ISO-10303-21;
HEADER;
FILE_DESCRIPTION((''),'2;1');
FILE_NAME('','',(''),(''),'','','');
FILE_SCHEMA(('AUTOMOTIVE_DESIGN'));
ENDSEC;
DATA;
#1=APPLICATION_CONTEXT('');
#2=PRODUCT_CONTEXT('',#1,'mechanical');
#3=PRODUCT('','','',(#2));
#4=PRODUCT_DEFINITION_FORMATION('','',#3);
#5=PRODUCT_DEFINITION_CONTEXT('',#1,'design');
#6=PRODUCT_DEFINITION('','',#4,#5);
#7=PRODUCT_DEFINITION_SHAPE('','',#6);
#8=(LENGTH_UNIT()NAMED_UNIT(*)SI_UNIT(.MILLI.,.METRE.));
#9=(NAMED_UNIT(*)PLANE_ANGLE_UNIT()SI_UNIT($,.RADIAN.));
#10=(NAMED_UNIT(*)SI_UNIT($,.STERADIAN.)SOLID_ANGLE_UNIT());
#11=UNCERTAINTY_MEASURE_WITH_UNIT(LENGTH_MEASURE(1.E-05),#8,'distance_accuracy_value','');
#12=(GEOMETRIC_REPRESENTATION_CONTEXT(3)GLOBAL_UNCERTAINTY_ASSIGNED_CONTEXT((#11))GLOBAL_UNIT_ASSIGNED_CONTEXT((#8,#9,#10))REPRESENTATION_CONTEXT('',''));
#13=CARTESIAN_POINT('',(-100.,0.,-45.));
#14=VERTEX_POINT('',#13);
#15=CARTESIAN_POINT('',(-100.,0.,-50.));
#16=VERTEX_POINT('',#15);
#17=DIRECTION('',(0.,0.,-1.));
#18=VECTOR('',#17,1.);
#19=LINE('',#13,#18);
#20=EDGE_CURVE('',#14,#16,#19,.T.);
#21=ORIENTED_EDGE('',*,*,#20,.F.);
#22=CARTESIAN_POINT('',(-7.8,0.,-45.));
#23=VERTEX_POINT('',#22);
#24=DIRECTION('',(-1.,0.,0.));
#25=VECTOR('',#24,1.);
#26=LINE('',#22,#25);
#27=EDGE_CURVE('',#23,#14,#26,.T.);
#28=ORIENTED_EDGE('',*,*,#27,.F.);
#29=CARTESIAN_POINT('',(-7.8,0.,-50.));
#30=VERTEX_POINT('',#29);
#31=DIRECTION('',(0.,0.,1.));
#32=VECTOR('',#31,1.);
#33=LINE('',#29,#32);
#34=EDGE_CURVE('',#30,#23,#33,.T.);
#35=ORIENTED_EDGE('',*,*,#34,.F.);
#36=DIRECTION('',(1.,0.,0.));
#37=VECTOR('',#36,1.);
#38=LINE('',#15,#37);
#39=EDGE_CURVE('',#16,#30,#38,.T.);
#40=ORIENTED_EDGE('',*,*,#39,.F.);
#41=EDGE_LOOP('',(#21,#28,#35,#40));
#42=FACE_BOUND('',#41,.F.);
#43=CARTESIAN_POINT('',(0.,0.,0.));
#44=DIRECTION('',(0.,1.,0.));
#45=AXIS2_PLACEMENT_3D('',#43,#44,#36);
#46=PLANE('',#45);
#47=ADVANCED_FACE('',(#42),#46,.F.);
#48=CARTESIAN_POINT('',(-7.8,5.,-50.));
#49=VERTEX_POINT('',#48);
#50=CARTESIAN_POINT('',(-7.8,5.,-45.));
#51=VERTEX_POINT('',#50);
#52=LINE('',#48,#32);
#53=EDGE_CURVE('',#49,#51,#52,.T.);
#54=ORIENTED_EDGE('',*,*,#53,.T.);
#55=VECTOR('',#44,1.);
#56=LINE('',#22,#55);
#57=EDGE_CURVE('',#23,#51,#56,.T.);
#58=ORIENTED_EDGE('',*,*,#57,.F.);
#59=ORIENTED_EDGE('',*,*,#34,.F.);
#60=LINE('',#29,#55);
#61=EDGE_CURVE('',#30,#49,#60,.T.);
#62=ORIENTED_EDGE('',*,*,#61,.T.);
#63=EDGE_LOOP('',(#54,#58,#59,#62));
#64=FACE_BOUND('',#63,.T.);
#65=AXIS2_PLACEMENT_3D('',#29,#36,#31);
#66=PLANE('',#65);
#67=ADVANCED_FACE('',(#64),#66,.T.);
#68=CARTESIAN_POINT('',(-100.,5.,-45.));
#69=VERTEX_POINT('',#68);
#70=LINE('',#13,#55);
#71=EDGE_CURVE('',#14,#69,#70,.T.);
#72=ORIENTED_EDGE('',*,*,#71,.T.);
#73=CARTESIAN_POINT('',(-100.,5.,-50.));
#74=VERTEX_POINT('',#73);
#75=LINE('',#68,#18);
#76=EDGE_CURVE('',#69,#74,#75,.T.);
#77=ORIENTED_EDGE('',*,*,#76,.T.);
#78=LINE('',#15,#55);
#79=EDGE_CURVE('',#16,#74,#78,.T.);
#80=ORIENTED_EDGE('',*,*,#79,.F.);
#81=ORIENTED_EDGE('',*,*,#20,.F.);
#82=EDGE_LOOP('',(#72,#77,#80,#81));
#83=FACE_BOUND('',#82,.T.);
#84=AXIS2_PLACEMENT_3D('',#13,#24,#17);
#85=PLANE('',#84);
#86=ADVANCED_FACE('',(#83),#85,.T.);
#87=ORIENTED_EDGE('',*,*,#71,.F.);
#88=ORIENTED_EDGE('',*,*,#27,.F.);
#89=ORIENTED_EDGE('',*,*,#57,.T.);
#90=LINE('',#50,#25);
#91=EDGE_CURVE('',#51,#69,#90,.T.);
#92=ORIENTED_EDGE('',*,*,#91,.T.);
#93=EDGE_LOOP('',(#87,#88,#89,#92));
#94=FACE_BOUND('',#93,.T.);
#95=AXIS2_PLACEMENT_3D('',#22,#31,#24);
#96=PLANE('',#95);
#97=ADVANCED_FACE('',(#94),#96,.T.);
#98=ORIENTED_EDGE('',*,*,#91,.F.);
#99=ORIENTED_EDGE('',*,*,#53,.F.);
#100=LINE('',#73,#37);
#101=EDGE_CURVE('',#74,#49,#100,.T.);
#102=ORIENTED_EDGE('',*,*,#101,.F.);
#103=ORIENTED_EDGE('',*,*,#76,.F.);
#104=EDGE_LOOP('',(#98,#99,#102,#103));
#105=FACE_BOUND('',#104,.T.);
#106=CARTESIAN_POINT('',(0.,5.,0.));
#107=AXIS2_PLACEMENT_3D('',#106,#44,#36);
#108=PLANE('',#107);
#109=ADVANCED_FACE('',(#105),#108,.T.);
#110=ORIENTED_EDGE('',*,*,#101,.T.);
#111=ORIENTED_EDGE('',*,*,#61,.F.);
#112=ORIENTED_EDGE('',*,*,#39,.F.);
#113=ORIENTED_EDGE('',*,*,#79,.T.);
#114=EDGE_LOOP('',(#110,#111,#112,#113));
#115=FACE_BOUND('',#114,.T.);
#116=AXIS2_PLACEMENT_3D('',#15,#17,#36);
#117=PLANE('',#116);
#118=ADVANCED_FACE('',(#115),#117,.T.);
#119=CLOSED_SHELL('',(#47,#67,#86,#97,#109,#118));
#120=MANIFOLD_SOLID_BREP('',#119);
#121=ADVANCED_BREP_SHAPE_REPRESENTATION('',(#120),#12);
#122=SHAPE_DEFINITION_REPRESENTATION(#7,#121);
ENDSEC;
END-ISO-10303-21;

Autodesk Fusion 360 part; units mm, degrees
sketch "草图1" plane through (0, 0, 0) normal (0, 1, 0) x (1, 0, 0)
  line L0 (-100, 50) -> (-7.8, 50)
  line L1 (-7.8, 50) -> (-7.8, 45)
  line L2 (-7.8, 45) -> (-100, 45)
  line L3 (-100, 45) -> (-100, 50)
  dimension "d1" = 92.2
  dimension "d2" = 5
extrude "拉伸1" add sketch "草图1" along normal blind 5
